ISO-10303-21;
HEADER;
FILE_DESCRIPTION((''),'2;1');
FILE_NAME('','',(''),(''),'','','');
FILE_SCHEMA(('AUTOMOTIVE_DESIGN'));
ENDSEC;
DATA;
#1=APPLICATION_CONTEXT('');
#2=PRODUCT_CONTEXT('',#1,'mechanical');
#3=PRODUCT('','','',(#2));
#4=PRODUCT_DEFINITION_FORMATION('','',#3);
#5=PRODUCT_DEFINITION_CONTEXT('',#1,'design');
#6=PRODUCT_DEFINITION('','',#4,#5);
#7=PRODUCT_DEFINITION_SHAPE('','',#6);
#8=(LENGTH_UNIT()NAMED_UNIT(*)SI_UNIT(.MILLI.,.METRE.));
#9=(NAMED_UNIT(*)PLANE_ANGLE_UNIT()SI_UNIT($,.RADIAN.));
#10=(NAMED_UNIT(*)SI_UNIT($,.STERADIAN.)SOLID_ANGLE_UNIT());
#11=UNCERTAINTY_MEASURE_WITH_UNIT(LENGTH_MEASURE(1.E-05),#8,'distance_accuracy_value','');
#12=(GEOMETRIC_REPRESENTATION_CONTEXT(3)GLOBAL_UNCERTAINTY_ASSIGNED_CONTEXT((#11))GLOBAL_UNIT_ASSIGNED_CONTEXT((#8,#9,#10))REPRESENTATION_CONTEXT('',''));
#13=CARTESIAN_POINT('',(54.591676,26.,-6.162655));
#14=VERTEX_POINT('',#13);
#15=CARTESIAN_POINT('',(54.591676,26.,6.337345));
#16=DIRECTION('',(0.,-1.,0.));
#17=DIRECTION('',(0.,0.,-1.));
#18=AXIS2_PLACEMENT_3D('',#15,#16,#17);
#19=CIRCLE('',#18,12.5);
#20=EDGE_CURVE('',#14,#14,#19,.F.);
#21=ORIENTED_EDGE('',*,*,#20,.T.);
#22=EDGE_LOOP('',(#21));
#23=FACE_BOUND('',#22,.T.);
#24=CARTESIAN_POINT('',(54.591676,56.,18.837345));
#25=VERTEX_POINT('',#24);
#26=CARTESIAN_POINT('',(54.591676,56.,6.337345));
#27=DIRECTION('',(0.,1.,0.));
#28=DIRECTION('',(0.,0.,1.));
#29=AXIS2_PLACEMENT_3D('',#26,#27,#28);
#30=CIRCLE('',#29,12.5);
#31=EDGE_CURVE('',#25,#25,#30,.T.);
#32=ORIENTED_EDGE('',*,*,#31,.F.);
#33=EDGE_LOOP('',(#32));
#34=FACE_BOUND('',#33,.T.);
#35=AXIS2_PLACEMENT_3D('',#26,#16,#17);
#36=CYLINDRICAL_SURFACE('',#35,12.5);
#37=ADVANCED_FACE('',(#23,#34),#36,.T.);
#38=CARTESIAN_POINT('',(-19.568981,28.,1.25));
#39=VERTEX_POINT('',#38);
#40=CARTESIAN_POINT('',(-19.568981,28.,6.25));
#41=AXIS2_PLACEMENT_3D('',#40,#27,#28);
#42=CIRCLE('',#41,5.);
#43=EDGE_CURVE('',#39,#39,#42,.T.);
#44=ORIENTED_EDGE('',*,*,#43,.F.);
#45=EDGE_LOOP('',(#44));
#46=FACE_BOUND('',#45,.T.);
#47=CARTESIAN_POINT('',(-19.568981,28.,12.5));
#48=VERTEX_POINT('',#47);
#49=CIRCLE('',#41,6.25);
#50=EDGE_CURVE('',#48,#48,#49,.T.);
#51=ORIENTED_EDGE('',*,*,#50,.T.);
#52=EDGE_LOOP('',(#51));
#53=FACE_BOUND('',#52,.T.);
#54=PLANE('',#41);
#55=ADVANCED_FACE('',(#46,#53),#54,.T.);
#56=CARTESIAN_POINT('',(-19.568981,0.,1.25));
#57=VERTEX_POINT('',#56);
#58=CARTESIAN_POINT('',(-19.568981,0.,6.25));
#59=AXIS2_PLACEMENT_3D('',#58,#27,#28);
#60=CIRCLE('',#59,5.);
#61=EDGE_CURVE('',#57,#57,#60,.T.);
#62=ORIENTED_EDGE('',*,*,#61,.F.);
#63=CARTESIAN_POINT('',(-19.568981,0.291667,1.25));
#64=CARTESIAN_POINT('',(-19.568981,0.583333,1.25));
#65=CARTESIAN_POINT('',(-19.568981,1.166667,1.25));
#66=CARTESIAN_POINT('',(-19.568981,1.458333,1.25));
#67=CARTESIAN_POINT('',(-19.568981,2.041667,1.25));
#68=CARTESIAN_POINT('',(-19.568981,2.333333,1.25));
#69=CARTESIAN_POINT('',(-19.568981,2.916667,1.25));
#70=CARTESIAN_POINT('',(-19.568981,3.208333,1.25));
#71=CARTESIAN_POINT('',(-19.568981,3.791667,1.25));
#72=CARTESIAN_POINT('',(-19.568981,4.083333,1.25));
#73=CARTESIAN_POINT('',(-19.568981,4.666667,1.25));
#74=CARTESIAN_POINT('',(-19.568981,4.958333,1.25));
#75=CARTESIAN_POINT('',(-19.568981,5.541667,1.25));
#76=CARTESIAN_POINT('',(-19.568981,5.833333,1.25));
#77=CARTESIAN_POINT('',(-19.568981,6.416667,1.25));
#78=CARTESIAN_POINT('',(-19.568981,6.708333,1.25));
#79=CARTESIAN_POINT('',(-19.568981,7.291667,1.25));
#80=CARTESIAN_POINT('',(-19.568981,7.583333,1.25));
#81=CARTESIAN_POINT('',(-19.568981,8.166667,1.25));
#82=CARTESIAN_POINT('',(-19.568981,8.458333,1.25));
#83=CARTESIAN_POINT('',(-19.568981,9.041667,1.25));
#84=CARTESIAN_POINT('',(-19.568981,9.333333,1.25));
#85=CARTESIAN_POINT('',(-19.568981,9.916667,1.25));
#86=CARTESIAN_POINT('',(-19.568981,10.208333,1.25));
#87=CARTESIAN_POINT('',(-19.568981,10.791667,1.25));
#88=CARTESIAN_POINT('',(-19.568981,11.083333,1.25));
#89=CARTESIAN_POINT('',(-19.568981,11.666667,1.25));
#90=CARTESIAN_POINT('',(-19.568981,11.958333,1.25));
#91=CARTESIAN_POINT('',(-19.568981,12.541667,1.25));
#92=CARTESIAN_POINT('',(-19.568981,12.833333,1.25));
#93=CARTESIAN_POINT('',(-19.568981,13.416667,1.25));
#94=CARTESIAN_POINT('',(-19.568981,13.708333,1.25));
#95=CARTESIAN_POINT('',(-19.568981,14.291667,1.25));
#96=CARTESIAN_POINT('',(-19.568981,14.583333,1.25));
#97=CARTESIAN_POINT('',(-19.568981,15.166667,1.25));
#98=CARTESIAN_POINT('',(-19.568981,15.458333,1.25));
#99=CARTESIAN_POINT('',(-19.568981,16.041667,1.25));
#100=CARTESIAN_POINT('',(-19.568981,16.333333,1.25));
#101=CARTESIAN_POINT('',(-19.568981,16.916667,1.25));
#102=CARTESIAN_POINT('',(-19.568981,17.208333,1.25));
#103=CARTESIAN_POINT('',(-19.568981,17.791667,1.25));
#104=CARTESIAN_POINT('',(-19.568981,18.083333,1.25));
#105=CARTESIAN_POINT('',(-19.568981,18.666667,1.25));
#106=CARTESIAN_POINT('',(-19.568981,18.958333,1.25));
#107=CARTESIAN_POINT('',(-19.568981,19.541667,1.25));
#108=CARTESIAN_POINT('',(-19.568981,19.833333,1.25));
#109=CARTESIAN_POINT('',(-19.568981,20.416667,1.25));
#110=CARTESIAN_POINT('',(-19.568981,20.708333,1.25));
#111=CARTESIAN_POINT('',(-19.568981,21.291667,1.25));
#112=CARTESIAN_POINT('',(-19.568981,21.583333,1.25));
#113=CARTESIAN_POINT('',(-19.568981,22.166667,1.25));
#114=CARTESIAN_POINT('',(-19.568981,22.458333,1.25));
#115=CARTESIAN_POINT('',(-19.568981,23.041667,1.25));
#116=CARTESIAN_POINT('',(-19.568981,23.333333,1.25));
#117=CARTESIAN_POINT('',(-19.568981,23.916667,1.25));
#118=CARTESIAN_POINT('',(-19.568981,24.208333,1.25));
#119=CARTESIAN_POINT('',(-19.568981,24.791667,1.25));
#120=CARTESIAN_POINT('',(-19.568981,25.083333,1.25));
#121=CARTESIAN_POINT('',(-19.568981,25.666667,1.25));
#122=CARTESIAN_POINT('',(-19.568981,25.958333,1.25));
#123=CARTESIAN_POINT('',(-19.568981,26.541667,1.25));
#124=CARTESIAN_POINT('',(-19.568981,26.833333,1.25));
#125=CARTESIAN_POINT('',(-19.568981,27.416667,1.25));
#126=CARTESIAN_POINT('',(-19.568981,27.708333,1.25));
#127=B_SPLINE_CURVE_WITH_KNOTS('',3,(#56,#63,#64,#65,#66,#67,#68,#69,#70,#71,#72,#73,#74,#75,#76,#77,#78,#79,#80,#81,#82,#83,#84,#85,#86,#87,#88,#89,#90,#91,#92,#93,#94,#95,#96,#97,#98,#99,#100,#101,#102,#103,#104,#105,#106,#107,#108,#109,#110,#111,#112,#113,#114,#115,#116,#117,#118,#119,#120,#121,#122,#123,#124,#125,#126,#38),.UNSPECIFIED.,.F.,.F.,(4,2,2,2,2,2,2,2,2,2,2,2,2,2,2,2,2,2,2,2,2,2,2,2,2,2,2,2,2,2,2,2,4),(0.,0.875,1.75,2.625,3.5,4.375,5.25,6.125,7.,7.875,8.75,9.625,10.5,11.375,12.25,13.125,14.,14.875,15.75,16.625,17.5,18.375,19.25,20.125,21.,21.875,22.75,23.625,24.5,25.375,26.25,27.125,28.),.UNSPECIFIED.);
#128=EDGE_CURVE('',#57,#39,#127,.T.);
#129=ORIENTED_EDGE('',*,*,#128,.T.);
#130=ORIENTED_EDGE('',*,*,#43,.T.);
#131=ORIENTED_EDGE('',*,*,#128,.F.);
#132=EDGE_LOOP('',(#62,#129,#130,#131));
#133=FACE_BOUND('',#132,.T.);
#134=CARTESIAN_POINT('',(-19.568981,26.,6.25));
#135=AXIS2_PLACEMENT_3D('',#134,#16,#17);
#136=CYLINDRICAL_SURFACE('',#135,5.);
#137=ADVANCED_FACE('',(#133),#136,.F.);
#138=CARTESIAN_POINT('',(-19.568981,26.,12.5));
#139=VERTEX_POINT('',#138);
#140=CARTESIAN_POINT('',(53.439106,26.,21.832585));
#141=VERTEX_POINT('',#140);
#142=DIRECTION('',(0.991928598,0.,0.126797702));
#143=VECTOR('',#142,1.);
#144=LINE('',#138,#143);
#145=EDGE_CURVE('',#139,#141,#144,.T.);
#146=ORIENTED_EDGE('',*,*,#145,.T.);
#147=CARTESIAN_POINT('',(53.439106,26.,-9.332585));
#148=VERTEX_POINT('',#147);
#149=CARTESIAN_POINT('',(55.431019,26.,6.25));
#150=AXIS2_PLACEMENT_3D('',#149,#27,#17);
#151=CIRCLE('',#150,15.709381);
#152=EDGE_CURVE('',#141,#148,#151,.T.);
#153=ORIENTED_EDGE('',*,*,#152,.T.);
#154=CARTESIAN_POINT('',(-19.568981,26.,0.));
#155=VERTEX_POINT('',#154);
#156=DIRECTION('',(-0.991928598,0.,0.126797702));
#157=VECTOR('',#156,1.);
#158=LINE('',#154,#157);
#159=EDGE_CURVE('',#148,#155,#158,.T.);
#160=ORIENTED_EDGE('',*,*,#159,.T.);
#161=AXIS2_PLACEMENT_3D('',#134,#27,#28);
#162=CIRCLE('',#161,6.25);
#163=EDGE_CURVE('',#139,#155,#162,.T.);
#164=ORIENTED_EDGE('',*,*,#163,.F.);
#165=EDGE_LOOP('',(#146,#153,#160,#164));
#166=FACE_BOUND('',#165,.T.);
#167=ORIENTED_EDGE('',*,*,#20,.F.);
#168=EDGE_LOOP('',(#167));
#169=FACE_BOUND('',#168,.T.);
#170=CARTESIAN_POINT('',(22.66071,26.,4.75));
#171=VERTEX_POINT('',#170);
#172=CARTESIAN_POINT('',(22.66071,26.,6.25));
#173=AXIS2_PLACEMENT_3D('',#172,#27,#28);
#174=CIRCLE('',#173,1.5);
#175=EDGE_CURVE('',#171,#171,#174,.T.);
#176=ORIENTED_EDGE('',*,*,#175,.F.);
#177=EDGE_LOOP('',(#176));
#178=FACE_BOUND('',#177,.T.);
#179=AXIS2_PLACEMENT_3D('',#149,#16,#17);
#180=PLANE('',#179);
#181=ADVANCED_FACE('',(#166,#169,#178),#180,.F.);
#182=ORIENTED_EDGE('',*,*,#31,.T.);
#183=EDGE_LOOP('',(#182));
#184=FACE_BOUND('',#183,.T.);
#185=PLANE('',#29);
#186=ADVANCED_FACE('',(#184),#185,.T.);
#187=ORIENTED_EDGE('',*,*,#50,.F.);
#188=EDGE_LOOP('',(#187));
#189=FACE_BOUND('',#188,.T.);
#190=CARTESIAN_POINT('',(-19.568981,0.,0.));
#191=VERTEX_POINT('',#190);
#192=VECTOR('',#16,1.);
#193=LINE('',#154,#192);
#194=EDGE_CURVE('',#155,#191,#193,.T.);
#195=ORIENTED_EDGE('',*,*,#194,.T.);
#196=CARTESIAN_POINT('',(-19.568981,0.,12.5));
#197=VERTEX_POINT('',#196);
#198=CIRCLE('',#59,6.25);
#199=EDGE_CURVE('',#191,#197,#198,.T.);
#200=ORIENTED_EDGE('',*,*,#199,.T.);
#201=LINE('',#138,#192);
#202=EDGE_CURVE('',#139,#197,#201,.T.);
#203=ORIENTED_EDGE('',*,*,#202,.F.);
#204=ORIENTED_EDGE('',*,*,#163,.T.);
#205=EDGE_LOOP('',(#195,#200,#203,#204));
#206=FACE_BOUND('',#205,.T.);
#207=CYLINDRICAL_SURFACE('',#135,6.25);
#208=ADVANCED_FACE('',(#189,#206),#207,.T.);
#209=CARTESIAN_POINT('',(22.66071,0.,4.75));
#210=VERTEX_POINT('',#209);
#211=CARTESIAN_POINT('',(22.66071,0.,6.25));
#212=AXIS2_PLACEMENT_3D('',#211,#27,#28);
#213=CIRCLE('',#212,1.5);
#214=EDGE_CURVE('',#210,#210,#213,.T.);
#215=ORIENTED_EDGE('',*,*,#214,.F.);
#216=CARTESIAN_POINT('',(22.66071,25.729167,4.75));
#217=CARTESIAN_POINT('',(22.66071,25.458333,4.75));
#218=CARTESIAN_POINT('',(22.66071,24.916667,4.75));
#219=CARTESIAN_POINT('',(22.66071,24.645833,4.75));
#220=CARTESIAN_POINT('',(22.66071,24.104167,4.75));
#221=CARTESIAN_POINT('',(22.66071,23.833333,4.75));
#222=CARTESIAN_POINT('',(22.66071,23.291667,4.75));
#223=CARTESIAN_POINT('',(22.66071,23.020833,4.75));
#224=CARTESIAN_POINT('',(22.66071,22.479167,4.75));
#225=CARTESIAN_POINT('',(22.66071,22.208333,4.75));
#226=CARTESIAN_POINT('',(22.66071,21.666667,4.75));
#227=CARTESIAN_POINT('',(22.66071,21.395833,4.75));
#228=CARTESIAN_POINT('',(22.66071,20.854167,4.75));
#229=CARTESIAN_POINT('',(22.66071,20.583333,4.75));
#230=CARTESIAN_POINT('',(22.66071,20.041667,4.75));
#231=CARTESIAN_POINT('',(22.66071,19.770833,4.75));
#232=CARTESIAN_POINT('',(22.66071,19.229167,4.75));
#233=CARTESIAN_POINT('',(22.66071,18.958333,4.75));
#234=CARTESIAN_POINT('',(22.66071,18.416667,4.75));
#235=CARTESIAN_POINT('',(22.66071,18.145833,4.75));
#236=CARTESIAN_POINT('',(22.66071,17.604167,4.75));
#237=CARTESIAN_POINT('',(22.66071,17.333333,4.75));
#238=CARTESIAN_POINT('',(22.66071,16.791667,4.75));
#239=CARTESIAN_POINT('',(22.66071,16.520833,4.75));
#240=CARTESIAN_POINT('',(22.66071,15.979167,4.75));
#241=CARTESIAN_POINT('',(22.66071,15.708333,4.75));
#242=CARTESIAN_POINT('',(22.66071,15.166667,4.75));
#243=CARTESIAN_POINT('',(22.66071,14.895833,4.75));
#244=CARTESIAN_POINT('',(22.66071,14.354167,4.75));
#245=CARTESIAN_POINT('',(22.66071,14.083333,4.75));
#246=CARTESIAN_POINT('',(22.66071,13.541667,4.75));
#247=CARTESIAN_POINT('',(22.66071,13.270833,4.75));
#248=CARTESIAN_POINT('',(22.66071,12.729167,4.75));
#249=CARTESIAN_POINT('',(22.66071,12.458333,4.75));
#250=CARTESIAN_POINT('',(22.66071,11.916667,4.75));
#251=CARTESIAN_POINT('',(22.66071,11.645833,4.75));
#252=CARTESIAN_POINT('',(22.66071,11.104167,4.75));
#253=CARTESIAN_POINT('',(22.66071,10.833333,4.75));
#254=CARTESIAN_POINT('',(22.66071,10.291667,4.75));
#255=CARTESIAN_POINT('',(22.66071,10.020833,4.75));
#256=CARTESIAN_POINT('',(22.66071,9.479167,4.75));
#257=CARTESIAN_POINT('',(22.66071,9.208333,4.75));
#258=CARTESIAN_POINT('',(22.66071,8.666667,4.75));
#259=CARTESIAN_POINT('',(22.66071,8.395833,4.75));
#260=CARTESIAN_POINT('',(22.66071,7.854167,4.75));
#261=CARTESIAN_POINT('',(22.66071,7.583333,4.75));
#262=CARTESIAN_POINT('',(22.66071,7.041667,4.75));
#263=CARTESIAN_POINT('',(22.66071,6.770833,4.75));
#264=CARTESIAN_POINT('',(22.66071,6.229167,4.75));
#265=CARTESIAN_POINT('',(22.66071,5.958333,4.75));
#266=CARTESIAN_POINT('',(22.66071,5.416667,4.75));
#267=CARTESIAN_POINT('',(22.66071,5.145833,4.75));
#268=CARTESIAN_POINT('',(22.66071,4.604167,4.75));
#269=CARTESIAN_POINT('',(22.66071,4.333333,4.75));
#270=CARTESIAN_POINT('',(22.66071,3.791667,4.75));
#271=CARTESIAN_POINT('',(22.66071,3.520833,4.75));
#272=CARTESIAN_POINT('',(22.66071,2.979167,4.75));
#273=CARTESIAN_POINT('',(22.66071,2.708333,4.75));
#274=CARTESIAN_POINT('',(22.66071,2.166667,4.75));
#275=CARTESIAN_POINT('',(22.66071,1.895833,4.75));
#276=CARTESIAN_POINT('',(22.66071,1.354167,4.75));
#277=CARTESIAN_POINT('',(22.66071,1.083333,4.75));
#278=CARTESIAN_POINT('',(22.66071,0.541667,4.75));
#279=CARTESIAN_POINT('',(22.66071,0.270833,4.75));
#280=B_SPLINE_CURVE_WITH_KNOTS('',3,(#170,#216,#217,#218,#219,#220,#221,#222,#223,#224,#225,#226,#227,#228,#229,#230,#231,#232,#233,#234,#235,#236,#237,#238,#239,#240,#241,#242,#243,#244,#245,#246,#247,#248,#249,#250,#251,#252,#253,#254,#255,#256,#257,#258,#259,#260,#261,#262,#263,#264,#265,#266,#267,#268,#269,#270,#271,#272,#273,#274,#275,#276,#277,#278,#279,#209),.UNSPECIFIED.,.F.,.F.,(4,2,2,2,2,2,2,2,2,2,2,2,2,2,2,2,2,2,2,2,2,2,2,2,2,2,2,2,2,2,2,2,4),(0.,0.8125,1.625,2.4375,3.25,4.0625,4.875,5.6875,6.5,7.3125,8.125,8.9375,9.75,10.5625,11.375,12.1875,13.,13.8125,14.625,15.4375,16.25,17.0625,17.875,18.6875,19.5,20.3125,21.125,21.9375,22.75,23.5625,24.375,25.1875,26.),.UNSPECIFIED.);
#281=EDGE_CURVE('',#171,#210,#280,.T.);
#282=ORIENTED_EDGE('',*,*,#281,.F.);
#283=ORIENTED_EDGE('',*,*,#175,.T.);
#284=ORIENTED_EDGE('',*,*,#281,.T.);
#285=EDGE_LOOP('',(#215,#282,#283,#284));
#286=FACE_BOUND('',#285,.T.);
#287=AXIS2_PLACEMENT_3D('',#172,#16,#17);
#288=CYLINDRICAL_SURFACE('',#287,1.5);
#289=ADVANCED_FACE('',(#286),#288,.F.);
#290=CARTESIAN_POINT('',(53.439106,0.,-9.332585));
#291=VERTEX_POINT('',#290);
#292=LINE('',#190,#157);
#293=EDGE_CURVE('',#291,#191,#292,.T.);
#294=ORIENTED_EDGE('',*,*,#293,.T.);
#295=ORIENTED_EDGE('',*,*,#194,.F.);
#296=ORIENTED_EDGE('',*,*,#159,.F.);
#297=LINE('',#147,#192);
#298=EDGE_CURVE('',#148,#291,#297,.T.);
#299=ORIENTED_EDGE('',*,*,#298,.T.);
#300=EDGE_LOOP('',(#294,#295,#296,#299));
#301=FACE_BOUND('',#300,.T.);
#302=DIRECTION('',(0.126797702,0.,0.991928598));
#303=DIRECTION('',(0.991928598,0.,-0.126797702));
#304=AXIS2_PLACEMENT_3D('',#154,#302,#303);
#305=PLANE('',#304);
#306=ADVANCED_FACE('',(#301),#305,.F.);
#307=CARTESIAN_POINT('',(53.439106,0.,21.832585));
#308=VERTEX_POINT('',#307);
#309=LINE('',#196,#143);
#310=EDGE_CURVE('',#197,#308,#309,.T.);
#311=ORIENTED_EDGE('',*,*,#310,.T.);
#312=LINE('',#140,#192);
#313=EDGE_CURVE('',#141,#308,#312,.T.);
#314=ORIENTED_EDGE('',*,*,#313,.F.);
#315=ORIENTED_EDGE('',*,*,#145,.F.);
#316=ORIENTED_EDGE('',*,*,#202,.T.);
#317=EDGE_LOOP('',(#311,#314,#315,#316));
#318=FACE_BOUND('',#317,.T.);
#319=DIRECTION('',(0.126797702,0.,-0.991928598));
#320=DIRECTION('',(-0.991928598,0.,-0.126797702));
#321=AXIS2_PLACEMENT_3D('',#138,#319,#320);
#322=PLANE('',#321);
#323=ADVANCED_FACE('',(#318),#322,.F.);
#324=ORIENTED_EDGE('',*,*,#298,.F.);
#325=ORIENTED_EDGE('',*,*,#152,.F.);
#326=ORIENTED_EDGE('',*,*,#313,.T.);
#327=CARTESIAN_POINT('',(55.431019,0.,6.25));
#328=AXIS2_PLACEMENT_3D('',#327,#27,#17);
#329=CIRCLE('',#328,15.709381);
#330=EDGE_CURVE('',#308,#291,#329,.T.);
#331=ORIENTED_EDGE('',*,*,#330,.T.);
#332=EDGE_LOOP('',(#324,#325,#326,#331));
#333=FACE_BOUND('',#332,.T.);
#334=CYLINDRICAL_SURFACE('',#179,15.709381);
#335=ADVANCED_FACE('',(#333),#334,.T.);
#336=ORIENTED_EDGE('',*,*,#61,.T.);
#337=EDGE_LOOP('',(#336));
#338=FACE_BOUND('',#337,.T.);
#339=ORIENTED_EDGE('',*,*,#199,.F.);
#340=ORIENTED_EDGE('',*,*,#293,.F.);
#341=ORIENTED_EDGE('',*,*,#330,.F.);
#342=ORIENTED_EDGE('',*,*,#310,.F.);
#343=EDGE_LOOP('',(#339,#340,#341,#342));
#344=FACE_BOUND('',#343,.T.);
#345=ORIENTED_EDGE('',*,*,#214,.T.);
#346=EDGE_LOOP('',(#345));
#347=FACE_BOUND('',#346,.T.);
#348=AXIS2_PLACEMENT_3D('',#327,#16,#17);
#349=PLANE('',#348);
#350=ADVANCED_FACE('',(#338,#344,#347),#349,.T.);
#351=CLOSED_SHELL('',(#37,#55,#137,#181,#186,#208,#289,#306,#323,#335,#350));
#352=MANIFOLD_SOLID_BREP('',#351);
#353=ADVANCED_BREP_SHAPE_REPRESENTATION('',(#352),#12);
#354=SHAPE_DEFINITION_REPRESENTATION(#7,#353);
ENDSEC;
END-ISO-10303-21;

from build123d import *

# Parameters (mm, degrees)
SKETCH1_R           = 5
SKETCH1_R_2         = 1.5
BOSS_EXTRUDE2_DEPTH = 26
SKETCH2_R           = 6.25
BOSS_EXTRUDE3_DEPTH = 2
CUT_EXTRUDE1_START  = -2
SKETCH3_R           = 5
CUT_EXTRUDE1_DEPTH  = 2
SKETCH5_R           = 12.5
BOSS_EXTRUDE4_DEPTH = 30


with BuildPart() as part:
    # Sketch1 → Boss-Extrude2 (new body)
    with BuildSketch(Plane(origin=(0, 0, 0), x_dir=(1, 0, 0), z_dir=(0, 1, 0))):
        with BuildLine():
            Line((-19.568980619, 0), (53.439105934, 9.332584612))
            ThreePointArc((53.439105934, 9.332584612), (71.14040073, -6.25), (53.439105934, -21.832584612))
            Line((53.439105934, -21.832584612), (-19.568980619, -12.5))
            ThreePointArc((-19.568980619, -12.5), (-25.818980619, -6.25), (-19.568980619, 0))
        make_face()
        with Locations(Location((-19.568980619, -6.25, 0), (0, 0, 90))):
            Circle(SKETCH1_R, mode=Mode.SUBTRACT)
        with Locations(Location((22.660710056, -6.25, 0), (0, 0, 90))):
            Circle(SKETCH1_R_2, mode=Mode.SUBTRACT)
    extrude(amount=BOSS_EXTRUDE2_DEPTH)

    # Sketch2 → Boss-Extrude3 (add)
    with BuildSketch(Plane(origin=(0, 26, 0), x_dir=(1, 0, 0), z_dir=(0, 1, 0))):
        with Locations(Location((-19.568980619, -6.25, 0), (0, 0, 270))):
            Circle(SKETCH2_R)
    extrude(amount=BOSS_EXTRUDE3_DEPTH)

    # Sketch3 → Cut-Extrude1 (cut)
    with BuildSketch(Plane(origin=(0, 28, 0), x_dir=(1, 0, 0), z_dir=(0, 1, 0)).offset(CUT_EXTRUDE1_START)):
        with Locations(Location((-19.568980619, -6.25, 0), (0, 0, 90))):
            Circle(SKETCH3_R)
    extrude(amount=CUT_EXTRUDE1_DEPTH, mode=Mode.SUBTRACT)

    # Sketch5 → Boss-Extrude4 (add)
    with BuildSketch(Plane(origin=(0, 26, 0), x_dir=(1, 0, 0), z_dir=(0, 1, 0))):
        with Locations(Location((54.591675649, -6.337344707, 0), (0, 0, 90))):
            Circle(SKETCH5_R)
    extrude(amount=BOSS_EXTRUDE4_DEPTH)


solid = part.part
